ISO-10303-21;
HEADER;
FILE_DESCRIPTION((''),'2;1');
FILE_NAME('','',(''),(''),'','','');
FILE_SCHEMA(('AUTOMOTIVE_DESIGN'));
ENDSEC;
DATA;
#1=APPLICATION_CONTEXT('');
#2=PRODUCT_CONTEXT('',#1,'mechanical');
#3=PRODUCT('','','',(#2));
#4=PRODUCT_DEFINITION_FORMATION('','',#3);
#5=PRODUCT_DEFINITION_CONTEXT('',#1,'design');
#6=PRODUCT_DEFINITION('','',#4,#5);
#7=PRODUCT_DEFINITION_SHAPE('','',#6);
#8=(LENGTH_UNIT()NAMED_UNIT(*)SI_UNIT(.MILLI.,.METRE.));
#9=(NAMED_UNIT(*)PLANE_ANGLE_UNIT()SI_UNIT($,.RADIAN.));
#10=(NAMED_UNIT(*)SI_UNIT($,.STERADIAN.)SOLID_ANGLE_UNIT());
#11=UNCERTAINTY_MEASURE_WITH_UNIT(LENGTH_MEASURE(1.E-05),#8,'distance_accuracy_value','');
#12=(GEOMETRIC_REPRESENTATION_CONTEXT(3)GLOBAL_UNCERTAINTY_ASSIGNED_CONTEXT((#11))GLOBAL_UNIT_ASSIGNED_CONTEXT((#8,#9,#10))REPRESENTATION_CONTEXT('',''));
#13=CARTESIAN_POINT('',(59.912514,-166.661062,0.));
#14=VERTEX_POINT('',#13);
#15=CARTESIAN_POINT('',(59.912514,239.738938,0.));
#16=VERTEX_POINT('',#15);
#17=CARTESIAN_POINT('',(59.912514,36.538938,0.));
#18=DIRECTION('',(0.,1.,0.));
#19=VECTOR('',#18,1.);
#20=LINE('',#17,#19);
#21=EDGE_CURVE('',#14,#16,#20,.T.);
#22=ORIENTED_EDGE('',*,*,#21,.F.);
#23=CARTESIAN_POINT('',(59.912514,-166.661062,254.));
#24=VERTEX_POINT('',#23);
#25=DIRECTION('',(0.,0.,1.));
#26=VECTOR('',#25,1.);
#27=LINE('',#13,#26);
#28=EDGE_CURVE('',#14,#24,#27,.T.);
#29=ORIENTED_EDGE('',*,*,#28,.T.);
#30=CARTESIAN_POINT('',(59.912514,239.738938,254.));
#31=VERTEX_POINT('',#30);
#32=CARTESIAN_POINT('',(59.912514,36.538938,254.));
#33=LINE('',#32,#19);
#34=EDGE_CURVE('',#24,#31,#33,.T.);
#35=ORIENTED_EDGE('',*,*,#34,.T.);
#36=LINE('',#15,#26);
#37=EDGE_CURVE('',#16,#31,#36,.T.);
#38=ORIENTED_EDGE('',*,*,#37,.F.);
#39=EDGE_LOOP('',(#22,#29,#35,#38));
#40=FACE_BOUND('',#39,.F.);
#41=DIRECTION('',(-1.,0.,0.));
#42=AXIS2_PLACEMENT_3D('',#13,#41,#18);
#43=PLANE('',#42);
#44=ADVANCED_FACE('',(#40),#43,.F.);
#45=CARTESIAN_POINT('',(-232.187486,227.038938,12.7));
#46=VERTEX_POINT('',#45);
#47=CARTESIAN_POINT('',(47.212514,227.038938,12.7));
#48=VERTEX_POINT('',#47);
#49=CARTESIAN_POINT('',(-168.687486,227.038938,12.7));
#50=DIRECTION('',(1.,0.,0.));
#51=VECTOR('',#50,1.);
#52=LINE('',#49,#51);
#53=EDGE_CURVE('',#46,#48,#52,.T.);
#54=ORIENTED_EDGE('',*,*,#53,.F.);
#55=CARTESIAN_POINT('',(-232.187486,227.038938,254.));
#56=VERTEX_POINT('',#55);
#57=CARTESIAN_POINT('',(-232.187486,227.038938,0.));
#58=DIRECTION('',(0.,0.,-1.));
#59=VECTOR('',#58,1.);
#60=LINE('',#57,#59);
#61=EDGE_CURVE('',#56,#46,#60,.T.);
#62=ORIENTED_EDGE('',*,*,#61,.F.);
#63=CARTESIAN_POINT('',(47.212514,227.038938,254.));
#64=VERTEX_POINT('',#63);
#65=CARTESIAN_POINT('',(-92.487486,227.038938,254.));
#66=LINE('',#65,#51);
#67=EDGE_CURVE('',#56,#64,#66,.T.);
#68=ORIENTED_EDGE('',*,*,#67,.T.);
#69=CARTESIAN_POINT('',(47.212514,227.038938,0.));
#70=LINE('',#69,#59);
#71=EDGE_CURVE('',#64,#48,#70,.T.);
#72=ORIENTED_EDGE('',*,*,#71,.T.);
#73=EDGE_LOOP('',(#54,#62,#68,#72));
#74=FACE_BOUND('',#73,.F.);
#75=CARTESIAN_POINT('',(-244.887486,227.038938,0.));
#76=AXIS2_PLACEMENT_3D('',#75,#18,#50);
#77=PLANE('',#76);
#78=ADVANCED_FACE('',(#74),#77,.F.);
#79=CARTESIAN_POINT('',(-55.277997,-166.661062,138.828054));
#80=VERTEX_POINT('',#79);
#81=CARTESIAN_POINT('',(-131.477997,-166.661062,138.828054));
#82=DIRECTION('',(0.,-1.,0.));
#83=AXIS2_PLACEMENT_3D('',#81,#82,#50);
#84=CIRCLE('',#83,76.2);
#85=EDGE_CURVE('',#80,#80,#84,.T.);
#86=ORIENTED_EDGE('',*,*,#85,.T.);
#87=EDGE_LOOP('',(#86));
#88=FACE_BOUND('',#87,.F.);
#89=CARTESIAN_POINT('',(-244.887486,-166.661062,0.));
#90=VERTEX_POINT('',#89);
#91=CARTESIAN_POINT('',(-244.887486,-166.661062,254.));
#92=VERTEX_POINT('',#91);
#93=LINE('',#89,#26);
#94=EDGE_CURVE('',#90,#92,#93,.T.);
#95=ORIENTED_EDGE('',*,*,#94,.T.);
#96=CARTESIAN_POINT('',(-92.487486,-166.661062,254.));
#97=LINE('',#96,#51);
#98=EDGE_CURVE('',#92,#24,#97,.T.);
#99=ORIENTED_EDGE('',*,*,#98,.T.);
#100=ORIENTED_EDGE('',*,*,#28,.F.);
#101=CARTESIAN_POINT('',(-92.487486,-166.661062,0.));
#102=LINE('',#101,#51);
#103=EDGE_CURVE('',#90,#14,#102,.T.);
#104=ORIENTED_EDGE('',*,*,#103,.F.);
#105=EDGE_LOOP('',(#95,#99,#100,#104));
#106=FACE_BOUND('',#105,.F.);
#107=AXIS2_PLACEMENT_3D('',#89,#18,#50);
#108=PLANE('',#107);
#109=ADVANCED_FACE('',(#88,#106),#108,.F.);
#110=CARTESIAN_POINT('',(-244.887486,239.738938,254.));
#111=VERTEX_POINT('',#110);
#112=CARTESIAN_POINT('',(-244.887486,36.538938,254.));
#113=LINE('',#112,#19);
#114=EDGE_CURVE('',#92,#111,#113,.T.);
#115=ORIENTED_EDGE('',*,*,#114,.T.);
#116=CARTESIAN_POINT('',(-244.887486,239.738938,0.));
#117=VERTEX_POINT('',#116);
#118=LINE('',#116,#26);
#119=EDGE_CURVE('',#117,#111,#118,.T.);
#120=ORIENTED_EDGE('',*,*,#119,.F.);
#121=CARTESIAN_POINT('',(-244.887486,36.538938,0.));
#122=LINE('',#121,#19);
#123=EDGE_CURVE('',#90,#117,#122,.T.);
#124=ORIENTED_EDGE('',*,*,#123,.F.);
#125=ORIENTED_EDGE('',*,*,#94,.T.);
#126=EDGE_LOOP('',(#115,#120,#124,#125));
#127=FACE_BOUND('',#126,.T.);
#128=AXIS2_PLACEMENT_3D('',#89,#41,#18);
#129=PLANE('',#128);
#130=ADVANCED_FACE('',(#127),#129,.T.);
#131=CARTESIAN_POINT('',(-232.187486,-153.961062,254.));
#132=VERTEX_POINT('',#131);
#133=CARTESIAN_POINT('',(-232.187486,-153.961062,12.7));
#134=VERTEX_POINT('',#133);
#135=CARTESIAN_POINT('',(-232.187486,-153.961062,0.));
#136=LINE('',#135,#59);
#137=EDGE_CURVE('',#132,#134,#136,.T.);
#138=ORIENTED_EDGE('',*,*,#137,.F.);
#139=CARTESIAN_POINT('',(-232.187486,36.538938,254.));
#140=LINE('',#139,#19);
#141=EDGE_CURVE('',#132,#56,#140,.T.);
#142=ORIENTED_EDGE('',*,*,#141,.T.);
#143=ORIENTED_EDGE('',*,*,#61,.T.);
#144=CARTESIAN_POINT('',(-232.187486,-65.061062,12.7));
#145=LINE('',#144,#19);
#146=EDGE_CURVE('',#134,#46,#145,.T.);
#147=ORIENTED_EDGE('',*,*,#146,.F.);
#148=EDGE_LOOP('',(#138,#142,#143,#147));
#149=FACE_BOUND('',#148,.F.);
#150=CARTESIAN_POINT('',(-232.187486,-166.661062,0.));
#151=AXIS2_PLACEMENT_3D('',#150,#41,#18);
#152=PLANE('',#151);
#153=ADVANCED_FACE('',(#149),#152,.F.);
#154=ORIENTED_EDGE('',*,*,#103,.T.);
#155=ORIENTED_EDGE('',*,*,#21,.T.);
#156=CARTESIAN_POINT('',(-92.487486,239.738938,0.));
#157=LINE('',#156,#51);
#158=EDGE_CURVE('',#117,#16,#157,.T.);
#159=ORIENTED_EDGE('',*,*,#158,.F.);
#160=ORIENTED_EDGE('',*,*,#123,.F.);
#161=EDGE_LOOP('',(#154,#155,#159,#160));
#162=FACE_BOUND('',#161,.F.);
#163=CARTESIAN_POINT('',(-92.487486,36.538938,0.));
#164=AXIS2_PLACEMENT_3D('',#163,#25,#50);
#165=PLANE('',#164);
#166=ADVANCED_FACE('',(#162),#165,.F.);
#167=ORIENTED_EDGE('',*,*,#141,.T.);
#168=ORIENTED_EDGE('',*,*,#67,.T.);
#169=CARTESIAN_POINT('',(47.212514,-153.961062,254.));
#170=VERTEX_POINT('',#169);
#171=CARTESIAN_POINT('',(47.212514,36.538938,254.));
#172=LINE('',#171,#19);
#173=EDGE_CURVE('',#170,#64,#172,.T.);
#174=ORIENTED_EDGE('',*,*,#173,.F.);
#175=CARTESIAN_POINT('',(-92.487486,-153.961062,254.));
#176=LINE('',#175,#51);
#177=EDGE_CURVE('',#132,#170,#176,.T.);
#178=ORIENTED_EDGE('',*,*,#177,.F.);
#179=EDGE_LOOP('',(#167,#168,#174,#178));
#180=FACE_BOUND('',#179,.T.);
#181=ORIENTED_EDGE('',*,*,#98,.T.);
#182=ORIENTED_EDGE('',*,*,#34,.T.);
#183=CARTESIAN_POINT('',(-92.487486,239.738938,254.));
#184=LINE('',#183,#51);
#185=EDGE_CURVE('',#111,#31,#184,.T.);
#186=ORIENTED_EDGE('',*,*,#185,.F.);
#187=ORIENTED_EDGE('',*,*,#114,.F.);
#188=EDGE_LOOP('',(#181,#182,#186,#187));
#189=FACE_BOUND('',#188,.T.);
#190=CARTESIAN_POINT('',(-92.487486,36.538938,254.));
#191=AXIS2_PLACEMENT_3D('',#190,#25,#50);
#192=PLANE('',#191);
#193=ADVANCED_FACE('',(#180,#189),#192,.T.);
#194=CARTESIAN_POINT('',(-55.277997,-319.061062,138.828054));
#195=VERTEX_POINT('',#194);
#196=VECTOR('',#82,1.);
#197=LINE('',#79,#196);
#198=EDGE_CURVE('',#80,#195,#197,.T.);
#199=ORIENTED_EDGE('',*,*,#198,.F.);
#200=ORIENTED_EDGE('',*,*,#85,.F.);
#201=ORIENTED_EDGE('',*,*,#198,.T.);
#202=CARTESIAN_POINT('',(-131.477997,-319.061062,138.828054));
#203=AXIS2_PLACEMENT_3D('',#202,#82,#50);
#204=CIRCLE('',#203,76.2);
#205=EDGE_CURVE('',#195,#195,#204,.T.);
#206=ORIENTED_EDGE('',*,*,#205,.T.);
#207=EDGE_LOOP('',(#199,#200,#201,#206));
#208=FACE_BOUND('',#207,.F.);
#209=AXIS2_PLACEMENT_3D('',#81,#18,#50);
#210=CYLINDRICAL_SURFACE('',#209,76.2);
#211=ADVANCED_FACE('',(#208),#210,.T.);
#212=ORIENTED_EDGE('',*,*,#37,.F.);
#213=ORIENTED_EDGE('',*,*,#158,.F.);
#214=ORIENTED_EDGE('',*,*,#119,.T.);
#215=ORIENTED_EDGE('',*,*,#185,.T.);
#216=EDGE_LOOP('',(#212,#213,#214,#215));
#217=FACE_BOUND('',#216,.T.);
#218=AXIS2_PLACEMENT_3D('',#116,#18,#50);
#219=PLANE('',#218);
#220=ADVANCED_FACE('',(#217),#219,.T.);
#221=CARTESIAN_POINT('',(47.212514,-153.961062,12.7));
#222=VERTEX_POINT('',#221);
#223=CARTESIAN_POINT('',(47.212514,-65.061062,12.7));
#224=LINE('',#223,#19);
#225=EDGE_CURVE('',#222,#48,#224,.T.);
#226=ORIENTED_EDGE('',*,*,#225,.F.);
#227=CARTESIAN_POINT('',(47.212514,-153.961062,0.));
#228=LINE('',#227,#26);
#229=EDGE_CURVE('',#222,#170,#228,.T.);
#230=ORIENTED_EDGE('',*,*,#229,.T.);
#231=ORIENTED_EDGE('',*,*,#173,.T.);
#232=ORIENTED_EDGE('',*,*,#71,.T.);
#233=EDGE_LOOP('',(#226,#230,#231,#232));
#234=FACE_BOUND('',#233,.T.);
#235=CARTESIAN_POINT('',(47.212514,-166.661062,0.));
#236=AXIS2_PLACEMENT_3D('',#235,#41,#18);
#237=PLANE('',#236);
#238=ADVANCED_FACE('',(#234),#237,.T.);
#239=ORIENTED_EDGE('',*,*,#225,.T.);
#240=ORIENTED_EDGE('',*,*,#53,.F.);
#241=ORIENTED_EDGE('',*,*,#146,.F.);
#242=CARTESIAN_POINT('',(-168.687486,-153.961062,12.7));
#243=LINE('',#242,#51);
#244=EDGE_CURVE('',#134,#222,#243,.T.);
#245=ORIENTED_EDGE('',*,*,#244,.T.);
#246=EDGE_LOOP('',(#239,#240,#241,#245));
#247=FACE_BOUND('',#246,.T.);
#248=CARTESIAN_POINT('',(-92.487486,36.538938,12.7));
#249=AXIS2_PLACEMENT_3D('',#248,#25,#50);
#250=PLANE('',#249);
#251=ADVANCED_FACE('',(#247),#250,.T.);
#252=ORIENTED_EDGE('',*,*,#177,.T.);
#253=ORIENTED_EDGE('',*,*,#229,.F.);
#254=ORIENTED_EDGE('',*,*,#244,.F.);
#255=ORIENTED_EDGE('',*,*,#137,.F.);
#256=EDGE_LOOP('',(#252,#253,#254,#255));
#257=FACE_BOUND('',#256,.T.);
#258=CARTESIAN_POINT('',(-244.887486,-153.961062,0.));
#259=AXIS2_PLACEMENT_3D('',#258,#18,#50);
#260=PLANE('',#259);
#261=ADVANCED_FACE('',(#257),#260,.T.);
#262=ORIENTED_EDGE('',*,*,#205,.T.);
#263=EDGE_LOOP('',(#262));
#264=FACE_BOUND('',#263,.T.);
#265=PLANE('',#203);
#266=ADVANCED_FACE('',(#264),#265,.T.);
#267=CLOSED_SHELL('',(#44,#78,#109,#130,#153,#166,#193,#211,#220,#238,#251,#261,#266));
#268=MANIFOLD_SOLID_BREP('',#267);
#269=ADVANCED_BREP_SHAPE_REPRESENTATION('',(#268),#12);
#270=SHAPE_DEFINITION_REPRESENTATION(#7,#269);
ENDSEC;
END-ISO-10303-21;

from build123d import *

# Parameters (mm, degrees)
F0_W     = 304.8
F0_H     = 406.4
F1_DEPTH = 254
F2_T     = -12.7
F3_R     = 76.2
F4_DEPTH = 152.4


with BuildPart() as f1:
    # F0 (on Top) → F1 (new body)
    with BuildSketch(Plane.XY):
        with Locations((-92.487486, 36.538938)):
            Rectangle(F0_W, F0_H)
    extrude(amount=F1_DEPTH)

    # F2
    f2_openings = [f1.faces().sort_by_distance(p)[0] for p in [
        (-92.487486, 36.538938, 254),
    ]]
    offset(amount=F2_T, openings=f2_openings)

    # F3 (on face) → F4 (join)
    with BuildSketch(Plane.XZ.offset(166.661062)):
        with Locations((-131.477997, 138.828054)):
            Circle(F3_R)
    extrude(amount=F4_DEPTH)


solid = f1.part
